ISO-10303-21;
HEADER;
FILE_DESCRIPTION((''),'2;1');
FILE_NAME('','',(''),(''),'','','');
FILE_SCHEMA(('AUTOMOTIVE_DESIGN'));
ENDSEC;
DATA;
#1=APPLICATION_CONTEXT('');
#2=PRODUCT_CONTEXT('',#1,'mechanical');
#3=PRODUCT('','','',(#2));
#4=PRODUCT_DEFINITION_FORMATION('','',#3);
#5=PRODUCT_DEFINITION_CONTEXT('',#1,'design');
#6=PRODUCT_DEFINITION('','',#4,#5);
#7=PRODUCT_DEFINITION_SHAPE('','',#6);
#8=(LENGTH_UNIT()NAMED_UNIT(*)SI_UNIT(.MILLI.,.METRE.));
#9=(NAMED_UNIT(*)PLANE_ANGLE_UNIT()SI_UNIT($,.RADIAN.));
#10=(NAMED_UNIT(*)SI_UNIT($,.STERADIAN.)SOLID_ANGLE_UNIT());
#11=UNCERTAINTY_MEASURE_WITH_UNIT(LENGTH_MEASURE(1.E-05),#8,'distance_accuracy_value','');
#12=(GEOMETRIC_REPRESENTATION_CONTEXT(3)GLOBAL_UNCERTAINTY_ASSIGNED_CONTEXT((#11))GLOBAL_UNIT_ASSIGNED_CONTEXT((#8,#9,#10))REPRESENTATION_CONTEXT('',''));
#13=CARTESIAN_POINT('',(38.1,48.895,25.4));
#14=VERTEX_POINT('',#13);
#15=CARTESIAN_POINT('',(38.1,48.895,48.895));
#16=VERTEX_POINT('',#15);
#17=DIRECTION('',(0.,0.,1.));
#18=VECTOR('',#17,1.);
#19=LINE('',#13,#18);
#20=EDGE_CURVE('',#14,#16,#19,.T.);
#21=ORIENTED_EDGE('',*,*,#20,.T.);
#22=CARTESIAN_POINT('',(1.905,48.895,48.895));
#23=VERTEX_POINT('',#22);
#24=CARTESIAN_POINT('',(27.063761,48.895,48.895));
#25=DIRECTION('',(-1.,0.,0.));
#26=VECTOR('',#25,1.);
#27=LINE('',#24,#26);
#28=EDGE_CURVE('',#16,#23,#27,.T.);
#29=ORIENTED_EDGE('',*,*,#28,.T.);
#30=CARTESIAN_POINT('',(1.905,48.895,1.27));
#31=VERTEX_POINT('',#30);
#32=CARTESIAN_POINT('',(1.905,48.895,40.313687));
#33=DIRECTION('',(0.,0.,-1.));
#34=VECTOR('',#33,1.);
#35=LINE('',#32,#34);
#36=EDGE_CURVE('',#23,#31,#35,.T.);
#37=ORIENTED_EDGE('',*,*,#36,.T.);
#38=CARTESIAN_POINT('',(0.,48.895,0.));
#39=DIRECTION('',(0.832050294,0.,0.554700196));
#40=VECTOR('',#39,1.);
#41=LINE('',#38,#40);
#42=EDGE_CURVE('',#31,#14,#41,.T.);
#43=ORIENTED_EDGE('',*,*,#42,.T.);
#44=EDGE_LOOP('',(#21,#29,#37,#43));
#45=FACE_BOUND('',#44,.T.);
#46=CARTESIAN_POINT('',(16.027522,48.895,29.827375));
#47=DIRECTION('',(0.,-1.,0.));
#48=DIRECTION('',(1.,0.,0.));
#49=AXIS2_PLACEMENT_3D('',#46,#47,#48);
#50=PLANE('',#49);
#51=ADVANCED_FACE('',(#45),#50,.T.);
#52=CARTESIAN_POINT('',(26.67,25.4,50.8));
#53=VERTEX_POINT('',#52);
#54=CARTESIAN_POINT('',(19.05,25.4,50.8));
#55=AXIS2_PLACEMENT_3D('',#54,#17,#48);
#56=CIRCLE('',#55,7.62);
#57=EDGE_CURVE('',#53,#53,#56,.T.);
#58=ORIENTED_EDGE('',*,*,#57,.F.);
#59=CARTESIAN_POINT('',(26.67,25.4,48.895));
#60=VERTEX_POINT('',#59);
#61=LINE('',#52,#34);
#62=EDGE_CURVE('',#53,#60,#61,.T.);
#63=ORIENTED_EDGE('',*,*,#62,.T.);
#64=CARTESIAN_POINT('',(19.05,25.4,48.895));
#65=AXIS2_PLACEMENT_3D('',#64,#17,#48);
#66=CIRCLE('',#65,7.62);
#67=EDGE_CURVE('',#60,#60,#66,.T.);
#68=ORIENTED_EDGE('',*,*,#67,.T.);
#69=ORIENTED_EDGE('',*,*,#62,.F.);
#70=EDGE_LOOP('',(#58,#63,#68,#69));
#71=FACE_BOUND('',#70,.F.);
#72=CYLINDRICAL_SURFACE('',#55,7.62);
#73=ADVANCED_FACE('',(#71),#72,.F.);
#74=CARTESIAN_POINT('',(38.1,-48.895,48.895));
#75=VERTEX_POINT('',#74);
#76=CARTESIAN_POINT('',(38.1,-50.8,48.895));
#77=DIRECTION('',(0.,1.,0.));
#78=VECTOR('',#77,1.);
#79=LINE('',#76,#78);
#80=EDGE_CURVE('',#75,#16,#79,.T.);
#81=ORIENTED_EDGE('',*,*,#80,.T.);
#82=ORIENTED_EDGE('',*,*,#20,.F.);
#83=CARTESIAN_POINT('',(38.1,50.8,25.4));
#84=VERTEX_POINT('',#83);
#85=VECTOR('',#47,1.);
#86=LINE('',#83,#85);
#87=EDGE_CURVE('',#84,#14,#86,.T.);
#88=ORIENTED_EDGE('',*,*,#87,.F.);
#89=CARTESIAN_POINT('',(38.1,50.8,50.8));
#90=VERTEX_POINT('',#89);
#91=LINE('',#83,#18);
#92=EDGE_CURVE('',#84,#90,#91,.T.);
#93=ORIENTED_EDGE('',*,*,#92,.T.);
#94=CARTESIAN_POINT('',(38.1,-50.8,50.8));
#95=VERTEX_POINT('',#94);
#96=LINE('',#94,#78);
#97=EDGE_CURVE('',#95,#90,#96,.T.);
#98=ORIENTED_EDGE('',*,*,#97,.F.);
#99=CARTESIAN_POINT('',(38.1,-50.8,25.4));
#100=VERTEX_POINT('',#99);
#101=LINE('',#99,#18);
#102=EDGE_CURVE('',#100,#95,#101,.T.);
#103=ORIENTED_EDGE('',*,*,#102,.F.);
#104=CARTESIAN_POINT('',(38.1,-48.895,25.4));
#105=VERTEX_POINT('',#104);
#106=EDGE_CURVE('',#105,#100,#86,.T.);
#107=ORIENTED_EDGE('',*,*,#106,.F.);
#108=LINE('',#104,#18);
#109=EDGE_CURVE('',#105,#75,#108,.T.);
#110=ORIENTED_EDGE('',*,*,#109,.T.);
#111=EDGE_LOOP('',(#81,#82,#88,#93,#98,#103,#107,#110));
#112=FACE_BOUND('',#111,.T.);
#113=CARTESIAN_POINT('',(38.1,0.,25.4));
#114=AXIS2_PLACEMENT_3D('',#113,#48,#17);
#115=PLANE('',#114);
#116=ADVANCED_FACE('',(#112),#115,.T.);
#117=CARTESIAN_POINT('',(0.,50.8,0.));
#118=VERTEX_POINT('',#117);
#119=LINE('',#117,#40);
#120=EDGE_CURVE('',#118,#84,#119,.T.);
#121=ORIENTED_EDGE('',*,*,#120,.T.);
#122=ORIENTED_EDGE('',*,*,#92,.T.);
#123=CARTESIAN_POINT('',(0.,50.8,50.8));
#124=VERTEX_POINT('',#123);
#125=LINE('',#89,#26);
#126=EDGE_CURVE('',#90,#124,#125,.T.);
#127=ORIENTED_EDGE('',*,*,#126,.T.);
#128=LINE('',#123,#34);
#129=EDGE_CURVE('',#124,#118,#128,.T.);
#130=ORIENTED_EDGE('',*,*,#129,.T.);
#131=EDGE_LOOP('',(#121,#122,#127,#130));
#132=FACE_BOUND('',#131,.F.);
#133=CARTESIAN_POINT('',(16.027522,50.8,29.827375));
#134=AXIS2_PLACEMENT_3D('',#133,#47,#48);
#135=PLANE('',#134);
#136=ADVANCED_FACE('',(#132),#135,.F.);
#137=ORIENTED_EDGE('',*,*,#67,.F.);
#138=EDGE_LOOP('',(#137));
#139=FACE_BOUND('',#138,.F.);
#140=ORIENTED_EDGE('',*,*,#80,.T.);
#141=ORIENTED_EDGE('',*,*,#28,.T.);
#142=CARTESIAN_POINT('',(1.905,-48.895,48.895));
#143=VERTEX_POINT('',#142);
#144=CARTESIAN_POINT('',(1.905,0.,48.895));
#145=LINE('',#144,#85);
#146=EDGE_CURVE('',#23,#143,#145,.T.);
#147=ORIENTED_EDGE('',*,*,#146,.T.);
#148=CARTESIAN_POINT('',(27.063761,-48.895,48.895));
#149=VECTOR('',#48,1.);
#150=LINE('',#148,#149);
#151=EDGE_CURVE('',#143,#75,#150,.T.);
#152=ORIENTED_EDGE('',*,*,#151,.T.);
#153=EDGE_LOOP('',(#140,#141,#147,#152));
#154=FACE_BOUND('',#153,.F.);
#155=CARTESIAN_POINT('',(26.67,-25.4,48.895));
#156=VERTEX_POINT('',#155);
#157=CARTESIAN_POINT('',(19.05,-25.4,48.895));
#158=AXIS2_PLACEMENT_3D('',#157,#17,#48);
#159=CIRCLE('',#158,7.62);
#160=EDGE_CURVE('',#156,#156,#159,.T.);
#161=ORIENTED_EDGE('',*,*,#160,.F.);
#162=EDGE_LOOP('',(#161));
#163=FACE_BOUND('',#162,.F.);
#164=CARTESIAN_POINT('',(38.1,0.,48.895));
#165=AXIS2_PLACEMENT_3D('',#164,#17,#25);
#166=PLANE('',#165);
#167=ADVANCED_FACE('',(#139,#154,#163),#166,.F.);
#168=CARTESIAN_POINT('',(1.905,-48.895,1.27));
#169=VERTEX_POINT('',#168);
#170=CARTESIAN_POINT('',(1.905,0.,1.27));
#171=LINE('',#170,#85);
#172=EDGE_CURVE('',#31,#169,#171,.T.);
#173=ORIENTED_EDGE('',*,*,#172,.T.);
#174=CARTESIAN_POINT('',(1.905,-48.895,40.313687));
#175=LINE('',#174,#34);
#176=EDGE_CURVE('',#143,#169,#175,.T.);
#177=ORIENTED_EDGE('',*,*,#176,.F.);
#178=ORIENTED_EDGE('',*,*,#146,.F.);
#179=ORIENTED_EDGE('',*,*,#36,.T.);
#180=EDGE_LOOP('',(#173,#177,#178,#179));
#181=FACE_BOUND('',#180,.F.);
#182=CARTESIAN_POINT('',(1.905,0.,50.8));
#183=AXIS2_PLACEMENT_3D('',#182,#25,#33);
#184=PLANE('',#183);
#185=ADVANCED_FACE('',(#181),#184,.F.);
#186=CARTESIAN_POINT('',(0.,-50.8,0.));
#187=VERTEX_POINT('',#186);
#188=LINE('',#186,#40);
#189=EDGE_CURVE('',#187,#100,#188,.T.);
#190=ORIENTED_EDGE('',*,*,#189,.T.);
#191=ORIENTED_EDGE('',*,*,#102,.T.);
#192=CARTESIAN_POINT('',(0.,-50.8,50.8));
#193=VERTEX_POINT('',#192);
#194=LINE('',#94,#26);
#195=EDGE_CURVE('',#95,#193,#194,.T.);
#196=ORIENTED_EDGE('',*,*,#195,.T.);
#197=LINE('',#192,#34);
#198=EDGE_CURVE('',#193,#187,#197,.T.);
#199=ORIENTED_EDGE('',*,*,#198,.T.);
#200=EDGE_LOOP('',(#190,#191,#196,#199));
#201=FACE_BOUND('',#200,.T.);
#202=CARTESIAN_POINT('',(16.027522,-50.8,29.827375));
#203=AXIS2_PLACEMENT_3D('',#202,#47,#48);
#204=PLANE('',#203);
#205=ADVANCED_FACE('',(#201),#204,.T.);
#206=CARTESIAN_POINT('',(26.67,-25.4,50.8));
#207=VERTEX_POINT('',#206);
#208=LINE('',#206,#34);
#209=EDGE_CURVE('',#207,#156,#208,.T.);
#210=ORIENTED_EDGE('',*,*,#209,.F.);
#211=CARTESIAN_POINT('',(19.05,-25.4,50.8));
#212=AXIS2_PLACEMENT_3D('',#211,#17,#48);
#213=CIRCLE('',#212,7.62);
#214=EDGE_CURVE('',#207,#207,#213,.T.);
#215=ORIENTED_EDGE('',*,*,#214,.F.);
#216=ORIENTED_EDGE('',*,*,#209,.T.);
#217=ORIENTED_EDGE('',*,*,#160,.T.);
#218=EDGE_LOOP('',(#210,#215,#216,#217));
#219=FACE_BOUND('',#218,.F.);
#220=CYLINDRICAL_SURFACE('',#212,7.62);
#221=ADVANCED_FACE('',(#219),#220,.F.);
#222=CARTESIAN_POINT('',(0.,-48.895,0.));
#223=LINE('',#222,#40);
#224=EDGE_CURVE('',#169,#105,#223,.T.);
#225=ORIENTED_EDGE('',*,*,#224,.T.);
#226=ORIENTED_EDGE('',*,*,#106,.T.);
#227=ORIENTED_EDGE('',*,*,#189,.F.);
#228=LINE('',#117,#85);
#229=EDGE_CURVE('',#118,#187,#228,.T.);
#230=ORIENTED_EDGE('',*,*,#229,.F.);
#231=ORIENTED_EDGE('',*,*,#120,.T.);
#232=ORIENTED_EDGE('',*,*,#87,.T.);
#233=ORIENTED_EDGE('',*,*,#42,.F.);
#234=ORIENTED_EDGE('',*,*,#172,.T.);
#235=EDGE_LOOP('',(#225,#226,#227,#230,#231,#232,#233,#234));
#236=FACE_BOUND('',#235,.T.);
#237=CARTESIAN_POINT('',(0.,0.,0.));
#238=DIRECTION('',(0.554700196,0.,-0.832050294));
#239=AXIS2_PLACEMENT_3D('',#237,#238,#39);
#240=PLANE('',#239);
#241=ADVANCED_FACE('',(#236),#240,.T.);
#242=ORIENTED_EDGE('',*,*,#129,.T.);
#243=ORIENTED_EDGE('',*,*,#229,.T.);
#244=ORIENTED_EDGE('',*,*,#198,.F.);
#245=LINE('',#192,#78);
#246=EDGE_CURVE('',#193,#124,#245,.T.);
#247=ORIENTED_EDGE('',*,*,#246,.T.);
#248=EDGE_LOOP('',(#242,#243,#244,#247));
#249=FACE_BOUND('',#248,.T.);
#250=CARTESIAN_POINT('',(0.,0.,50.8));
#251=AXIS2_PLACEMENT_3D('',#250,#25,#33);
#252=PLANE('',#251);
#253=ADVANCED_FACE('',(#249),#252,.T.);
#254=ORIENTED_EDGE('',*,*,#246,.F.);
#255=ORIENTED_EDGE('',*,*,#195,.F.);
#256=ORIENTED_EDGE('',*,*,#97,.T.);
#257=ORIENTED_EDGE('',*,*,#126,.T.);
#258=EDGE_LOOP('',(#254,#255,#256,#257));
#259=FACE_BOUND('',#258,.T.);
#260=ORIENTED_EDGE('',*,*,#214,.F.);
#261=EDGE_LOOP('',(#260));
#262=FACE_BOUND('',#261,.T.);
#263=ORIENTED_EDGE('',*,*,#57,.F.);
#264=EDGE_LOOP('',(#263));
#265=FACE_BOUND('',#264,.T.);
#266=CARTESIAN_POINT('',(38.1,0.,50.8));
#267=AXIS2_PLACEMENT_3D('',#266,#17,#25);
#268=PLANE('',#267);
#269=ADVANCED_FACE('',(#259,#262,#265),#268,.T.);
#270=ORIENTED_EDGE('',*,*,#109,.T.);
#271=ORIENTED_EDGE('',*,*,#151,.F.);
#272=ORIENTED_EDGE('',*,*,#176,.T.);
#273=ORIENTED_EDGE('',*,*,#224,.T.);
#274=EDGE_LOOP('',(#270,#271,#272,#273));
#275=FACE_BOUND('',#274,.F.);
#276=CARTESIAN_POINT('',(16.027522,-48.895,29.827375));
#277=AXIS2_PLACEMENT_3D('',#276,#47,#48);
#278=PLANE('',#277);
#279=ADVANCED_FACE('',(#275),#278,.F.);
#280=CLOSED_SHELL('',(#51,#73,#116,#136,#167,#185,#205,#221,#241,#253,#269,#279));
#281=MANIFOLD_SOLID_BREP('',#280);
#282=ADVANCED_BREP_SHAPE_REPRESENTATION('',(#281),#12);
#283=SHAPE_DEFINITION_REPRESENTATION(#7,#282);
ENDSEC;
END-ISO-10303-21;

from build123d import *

# Parameters (mm, degrees)
F1_DEPTH = 50.8
F2_R     = 7.62
F3_DEPTH = 50.801
F4_T     = -1.905


with BuildPart() as f1:
    # F0 (on Front) → F1 (new body, symmetric)
    with BuildSketch(Plane.XZ):
        Polygon((0, 50.8), (0, 0), (38.1, 25.4), (38.1, 50.8), align=None)
    extrude(amount=F1_DEPTH, both=True)

    # F2 (on face) → F3 (cut, through all)
    with BuildSketch(Plane.XY.offset(50.8)):
        with Locations((19.05, 25.4)):
            Circle(F2_R)
        with Locations((19.05, -25.4)):
            Circle(F2_R)
    extrude(amount=-F3_DEPTH, mode=Mode.SUBTRACT)

    # F4
    f4_openings = [f1.faces().sort_by_distance(p)[0] for p in [
        (19.05, 0, 12.7),
        (38.1, 0, 38.1),
        (11.43, -25.4, 29.104782),
        (11.43, 25.4, 29.104782),
    ]]
    offset(amount=F4_T, openings=f4_openings)


solid = f1.part
